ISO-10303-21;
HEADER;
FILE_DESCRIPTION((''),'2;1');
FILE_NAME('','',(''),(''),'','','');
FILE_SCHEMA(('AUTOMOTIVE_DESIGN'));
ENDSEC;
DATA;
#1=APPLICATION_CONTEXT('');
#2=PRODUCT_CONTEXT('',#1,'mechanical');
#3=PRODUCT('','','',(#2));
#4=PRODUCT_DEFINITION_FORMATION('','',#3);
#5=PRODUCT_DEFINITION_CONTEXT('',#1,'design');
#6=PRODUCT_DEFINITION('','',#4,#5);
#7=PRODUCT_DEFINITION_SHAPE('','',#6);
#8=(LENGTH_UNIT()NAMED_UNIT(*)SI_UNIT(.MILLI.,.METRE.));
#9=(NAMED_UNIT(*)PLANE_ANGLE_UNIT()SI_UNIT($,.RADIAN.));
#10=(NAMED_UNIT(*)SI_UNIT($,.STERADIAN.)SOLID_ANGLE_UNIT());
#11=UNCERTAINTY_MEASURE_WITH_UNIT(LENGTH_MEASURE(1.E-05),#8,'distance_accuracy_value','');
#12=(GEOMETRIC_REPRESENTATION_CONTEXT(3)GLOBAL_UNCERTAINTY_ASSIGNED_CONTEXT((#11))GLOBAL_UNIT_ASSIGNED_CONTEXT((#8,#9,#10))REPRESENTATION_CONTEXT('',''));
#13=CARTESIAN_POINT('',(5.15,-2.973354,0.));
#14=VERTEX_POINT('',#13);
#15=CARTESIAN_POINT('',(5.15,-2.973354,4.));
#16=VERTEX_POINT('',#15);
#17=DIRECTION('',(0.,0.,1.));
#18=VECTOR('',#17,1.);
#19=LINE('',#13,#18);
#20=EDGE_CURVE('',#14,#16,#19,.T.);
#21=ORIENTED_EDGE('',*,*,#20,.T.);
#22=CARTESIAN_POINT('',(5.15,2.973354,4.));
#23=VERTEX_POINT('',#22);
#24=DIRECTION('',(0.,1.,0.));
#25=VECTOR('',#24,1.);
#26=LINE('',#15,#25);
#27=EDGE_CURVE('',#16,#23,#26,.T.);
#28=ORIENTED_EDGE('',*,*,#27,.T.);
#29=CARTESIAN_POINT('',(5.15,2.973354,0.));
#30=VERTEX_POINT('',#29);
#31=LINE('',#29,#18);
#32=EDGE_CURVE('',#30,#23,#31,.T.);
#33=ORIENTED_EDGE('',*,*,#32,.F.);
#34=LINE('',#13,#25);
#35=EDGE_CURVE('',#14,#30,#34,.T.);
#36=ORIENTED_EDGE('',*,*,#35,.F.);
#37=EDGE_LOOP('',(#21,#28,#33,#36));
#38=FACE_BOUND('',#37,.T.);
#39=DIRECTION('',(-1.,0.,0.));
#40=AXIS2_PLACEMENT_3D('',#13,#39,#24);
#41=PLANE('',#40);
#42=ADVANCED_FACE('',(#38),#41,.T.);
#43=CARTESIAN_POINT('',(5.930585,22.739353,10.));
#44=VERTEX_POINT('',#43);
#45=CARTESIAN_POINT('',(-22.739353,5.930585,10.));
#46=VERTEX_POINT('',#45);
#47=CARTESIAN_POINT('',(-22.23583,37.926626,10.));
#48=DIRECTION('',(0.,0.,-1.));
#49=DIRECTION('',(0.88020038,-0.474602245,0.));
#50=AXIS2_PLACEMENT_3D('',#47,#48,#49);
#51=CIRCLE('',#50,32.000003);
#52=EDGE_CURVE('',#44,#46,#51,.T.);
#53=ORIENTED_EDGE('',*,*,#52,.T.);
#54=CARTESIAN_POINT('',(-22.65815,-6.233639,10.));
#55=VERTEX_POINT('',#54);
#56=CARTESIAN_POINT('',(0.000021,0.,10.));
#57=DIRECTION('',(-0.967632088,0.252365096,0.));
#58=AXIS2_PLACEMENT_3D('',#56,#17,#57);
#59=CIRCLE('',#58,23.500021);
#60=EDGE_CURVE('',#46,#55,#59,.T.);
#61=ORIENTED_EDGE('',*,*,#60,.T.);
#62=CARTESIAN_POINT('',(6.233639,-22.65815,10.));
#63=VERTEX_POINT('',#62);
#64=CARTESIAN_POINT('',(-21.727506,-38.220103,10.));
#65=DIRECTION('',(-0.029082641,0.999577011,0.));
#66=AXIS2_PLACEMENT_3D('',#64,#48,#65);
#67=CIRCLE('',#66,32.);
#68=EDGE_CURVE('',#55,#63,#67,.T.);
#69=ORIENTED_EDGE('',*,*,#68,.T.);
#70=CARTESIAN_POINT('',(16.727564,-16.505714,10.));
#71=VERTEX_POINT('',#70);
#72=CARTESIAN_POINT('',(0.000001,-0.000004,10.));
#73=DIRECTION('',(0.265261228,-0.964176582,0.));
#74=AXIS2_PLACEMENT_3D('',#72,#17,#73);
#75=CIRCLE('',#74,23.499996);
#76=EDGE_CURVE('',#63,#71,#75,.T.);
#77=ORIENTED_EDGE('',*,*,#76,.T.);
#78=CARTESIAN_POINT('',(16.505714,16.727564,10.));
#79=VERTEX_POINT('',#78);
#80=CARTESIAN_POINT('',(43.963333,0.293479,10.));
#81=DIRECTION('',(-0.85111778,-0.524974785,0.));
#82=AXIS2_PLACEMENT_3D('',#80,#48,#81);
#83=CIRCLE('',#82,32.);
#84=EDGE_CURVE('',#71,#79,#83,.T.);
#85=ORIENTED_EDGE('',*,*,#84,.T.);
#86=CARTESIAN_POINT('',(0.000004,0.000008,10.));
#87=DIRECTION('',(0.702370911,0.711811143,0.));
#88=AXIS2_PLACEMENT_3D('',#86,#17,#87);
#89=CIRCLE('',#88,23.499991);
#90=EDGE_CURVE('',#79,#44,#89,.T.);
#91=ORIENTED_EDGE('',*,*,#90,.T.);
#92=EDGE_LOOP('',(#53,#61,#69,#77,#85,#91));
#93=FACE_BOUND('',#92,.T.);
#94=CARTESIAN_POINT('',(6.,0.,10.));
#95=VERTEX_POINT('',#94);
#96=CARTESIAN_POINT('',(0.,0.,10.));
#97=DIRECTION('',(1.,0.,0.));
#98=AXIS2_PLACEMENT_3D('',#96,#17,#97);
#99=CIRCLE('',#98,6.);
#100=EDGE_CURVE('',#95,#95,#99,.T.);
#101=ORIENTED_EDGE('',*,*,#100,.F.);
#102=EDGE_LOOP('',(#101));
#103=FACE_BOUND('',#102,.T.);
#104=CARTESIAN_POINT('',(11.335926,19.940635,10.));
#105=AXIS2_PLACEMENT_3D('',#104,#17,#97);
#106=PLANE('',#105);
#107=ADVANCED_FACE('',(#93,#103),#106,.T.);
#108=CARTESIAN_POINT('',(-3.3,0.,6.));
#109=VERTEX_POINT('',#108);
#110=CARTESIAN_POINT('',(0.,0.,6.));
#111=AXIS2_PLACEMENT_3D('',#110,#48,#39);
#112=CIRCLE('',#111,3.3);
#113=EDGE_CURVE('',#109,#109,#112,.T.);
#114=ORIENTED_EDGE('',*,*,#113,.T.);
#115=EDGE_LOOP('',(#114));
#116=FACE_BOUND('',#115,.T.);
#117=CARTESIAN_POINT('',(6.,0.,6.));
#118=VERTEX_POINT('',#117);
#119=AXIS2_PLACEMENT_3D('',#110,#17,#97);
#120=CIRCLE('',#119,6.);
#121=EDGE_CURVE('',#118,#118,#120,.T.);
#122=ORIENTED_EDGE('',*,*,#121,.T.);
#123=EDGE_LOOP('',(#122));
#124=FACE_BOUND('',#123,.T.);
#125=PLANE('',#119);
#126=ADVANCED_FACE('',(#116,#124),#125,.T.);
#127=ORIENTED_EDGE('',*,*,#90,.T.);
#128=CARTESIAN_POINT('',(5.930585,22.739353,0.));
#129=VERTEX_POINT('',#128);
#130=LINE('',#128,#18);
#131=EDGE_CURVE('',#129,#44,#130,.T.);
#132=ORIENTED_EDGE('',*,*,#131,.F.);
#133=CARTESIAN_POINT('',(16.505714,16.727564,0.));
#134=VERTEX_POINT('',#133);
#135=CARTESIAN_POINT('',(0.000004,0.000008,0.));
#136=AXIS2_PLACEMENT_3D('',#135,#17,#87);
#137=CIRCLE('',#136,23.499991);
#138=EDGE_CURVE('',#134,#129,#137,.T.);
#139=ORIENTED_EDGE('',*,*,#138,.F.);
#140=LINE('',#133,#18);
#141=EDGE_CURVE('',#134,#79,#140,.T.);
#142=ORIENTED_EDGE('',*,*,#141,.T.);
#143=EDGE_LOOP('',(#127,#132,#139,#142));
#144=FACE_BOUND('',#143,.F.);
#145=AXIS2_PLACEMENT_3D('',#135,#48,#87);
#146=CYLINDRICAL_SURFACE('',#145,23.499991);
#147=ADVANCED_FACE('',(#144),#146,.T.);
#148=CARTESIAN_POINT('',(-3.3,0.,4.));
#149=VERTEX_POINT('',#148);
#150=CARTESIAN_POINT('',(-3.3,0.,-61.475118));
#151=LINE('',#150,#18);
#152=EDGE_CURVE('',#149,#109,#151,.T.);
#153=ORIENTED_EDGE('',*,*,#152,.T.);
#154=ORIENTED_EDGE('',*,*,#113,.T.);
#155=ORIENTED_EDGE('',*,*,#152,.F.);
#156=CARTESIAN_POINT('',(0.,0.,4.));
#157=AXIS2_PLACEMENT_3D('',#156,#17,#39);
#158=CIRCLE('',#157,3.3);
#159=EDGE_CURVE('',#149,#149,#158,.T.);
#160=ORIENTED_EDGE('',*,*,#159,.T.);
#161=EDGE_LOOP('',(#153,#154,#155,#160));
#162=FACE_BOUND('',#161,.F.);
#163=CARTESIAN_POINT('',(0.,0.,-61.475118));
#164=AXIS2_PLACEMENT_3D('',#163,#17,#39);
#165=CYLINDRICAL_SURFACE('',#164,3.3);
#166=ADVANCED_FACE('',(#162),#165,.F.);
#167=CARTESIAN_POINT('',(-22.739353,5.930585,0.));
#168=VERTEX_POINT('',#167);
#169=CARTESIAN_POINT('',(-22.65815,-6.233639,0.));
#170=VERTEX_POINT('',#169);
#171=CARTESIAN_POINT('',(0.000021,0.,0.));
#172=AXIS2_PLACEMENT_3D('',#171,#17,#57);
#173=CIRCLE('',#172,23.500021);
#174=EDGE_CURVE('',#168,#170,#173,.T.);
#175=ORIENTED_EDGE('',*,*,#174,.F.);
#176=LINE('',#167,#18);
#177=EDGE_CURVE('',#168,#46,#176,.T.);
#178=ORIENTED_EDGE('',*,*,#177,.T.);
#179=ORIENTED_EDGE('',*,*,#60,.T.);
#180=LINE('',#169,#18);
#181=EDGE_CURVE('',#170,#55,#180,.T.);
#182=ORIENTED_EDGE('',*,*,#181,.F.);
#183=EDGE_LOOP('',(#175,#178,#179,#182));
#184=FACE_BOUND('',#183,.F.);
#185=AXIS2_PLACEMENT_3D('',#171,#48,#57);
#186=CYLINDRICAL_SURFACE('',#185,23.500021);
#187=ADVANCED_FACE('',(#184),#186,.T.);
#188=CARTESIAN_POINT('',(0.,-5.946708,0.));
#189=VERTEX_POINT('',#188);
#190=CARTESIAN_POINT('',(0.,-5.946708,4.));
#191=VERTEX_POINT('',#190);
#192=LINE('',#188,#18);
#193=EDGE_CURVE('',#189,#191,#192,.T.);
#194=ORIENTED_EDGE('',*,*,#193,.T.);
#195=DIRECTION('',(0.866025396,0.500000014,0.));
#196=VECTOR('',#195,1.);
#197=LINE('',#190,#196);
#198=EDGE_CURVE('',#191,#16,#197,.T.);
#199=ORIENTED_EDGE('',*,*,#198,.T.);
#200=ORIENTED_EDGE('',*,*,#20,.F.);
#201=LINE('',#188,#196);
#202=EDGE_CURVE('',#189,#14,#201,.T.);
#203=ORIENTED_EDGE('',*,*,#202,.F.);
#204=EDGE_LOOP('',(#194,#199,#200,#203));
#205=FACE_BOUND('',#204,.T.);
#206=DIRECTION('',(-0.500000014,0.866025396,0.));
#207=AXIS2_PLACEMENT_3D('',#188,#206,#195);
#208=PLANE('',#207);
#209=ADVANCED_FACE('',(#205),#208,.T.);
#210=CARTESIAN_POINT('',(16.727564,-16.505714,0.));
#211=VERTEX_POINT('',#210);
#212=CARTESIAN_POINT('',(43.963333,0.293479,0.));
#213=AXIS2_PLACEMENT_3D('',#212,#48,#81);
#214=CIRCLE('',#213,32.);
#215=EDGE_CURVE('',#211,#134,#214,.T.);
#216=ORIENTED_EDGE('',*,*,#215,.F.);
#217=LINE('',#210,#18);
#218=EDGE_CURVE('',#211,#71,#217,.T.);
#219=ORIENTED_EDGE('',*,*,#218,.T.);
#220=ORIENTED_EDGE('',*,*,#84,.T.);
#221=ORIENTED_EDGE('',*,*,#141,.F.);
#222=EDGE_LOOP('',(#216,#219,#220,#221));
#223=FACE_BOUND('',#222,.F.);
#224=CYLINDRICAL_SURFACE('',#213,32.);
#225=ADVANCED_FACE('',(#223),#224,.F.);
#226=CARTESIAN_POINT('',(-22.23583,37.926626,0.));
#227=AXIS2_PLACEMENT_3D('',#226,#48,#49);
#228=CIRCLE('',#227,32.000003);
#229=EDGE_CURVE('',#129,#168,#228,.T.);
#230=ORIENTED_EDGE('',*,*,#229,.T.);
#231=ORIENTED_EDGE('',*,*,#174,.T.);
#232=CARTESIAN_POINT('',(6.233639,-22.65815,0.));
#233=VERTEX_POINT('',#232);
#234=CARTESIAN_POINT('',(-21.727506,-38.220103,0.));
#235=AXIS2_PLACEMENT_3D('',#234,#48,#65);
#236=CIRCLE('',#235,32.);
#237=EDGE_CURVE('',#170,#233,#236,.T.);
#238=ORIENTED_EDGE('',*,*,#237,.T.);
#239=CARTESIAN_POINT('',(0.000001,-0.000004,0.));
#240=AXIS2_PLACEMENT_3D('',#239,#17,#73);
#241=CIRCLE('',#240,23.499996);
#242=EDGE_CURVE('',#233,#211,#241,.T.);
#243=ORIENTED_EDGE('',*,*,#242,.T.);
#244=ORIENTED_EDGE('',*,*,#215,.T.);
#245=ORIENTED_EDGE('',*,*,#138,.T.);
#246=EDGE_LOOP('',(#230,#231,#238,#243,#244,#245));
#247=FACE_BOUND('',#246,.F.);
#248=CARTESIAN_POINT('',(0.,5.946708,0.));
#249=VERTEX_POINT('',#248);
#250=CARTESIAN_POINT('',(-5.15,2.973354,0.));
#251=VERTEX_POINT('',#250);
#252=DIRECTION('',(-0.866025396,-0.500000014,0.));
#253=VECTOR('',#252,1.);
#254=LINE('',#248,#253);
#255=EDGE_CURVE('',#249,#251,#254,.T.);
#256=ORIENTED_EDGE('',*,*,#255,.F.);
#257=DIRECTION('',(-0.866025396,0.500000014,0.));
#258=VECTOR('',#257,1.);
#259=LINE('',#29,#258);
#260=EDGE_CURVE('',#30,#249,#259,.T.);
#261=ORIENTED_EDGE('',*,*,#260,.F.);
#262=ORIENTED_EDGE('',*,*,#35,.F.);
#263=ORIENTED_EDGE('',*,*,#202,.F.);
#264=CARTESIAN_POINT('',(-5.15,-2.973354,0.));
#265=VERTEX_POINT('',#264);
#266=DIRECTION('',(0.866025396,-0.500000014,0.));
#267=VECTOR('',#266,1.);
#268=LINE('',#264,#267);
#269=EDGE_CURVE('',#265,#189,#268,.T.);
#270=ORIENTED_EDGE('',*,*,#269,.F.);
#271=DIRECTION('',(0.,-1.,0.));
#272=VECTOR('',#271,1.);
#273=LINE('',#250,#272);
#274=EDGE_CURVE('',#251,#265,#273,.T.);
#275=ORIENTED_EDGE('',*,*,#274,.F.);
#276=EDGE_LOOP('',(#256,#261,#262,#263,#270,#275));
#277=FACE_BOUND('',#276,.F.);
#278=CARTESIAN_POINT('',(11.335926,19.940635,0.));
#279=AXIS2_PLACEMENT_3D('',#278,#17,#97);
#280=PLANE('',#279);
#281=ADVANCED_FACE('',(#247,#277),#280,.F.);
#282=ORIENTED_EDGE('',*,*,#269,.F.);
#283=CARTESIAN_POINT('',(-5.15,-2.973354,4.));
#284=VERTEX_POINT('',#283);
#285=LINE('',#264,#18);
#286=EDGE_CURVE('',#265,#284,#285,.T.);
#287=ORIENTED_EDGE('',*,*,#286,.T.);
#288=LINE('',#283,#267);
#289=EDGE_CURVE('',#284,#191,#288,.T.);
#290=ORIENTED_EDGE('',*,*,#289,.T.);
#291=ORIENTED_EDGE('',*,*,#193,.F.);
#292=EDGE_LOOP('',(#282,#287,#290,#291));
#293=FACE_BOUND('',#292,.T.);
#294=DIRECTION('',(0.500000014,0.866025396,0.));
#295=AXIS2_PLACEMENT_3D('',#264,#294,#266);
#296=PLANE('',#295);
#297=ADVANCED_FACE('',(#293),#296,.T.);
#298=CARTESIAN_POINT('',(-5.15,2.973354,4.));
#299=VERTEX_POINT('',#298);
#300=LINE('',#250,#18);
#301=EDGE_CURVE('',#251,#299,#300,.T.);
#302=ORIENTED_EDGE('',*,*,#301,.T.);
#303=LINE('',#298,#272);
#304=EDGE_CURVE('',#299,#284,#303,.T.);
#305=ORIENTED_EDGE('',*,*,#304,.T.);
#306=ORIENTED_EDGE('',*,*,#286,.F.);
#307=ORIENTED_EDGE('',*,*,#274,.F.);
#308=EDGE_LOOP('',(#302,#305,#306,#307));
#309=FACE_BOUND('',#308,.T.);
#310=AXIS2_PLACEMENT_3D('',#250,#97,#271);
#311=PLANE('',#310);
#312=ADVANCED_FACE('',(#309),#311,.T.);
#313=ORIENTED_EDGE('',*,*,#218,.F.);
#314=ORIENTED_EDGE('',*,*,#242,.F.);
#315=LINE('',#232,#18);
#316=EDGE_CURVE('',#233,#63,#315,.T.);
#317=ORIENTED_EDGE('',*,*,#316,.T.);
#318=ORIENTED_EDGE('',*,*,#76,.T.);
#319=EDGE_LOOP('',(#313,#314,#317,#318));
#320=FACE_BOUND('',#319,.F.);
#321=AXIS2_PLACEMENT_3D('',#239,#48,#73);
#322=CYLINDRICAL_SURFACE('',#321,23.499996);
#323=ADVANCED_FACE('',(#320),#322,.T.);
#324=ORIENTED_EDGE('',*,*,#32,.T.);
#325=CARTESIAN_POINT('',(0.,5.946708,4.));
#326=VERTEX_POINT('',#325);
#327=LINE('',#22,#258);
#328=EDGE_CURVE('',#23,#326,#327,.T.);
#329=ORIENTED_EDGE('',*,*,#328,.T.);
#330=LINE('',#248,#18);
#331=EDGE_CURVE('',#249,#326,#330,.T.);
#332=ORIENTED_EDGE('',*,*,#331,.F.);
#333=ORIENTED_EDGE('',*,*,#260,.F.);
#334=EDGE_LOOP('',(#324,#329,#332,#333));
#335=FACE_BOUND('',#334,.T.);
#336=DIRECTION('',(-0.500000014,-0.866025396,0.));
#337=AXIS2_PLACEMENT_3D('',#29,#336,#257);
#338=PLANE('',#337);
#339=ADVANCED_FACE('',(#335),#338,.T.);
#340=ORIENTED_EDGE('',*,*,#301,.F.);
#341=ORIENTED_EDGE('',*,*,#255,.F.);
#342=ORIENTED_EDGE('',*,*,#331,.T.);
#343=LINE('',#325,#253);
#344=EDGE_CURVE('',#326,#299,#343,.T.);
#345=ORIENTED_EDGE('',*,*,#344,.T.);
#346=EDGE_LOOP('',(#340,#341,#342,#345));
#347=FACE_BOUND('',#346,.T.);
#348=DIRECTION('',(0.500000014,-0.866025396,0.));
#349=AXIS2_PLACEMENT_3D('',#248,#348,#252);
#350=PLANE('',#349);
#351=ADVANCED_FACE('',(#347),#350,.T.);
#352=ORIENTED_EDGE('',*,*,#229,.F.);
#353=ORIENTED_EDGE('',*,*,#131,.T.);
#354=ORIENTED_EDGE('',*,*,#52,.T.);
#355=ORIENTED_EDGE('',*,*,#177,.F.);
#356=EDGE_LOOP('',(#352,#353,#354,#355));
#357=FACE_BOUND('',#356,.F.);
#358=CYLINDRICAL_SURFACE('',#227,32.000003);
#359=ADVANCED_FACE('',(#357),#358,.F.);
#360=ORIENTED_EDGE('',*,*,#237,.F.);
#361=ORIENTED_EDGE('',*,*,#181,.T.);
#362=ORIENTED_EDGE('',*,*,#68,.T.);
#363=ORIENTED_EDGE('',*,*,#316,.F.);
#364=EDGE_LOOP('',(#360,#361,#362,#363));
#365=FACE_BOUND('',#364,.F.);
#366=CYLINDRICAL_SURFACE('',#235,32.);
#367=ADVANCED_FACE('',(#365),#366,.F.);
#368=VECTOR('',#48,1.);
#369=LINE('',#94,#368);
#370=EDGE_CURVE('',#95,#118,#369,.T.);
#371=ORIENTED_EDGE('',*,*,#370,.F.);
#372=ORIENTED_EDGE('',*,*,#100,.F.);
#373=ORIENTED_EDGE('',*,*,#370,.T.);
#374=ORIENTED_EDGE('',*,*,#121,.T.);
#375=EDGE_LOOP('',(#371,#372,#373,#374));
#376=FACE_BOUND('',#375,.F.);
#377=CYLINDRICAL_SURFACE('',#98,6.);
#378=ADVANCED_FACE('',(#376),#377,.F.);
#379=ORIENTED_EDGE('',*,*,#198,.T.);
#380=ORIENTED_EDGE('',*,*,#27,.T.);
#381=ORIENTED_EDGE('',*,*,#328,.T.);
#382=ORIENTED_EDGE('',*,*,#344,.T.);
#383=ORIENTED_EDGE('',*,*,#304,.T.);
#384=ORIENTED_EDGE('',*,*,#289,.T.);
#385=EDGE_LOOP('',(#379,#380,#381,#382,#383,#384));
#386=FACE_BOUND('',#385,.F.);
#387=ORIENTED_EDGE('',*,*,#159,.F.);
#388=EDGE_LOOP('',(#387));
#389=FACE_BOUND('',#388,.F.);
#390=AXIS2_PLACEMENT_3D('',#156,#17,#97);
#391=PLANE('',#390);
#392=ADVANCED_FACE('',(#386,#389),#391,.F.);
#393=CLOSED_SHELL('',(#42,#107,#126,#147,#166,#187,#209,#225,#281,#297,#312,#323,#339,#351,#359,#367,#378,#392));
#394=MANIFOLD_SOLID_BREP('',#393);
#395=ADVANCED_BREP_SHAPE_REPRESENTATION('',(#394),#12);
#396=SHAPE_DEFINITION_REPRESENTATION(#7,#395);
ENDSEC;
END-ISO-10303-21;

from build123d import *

# Parameters (mm, degrees)
F1_DEPTH = 10
F2_DEPTH = 4
F3_D     = 6.6
F4_R     = 6
F4_R_2   = 3.3
F5_DEPTH = 4


with BuildPart() as f1:
    # F0 (on Top) → F1 (new body)
    with BuildSketch(Plane.XY):
        with BuildLine():
            Line((5.930585, 22.739353), (16.505714, 16.727564))
            ThreePointArc((16.505714, 16.727564), (11.613883, 20.42958), (5.930585, 22.739353))
        make_face()
        with BuildLine():
            Line((-22.65815, -6.233639), (-22.739353, 5.930585))
            ThreePointArc((-22.739353, 5.930585), (-23.499476, -0.156872), (-22.65815, -6.233639))
        make_face()
        with BuildLine():
            ThreePointArc((6.233639, -22.65815), (11.885593, -20.272708), (16.727564, -16.505714))
            Line((16.727564, -16.505714), (6.233639, -22.65815))
        make_face()
        with BuildLine():
            ThreePointArc((16.727564, -16.505714), (11.964046, 0.079867), (16.505714, 16.727564))
            Line((16.505714, 16.727564), (5.930585, 22.739353))
            ThreePointArc((5.930585, 22.739353), (-6.05119, 10.321235), (-22.739353, 5.930585))
            Line((-22.739353, 5.930585), (-22.65815, -6.233639))
            ThreePointArc((-22.65815, -6.233639), (-5.912857, -10.401101), (6.233639, -22.65815))
            Line((6.233639, -22.65815), (16.727564, -16.505714))
        make_face()
        Polygon((-5.15, 2.973354), (0, 5.946708), (5.15, 2.973354), (5.15, -2.973354), (0, -5.946708), (-5.15, -2.973354), align=None, mode=Mode.SUBTRACT)
        Polygon((5.15, 2.973354), (0, 5.946708), (-5.15, 2.973354), (-5.15, -2.973354), (0, -5.946708), (5.15, -2.973354), align=None)
    extrude(amount=F1_DEPTH)

    # F0 (on Top) → F2 (cut)
    with BuildSketch(Plane.XY):
        Polygon((5.15, 2.973354), (0, 5.946708), (-5.15, 2.973354), (-5.15, -2.973354), (0, -5.946708), (5.15, -2.973354), align=None)
    extrude(amount=F2_DEPTH, mode=Mode.SUBTRACT)

    # F3 (through all)
    with Locations(Plane(origin=(0, 0, 0), x_dir=(1, 0, 0), z_dir=(0, 0, -1))):
        with Locations((0, 0)):
            Hole(F3_D / 2)

    # F4 (on face) → F5 (cut)
    with BuildSketch(Plane.XY.offset(10)):
        Circle(F4_R)
        Circle(F4_R_2, mode=Mode.SUBTRACT)
    extrude(amount=-F5_DEPTH, mode=Mode.SUBTRACT)


solid = f1.part
